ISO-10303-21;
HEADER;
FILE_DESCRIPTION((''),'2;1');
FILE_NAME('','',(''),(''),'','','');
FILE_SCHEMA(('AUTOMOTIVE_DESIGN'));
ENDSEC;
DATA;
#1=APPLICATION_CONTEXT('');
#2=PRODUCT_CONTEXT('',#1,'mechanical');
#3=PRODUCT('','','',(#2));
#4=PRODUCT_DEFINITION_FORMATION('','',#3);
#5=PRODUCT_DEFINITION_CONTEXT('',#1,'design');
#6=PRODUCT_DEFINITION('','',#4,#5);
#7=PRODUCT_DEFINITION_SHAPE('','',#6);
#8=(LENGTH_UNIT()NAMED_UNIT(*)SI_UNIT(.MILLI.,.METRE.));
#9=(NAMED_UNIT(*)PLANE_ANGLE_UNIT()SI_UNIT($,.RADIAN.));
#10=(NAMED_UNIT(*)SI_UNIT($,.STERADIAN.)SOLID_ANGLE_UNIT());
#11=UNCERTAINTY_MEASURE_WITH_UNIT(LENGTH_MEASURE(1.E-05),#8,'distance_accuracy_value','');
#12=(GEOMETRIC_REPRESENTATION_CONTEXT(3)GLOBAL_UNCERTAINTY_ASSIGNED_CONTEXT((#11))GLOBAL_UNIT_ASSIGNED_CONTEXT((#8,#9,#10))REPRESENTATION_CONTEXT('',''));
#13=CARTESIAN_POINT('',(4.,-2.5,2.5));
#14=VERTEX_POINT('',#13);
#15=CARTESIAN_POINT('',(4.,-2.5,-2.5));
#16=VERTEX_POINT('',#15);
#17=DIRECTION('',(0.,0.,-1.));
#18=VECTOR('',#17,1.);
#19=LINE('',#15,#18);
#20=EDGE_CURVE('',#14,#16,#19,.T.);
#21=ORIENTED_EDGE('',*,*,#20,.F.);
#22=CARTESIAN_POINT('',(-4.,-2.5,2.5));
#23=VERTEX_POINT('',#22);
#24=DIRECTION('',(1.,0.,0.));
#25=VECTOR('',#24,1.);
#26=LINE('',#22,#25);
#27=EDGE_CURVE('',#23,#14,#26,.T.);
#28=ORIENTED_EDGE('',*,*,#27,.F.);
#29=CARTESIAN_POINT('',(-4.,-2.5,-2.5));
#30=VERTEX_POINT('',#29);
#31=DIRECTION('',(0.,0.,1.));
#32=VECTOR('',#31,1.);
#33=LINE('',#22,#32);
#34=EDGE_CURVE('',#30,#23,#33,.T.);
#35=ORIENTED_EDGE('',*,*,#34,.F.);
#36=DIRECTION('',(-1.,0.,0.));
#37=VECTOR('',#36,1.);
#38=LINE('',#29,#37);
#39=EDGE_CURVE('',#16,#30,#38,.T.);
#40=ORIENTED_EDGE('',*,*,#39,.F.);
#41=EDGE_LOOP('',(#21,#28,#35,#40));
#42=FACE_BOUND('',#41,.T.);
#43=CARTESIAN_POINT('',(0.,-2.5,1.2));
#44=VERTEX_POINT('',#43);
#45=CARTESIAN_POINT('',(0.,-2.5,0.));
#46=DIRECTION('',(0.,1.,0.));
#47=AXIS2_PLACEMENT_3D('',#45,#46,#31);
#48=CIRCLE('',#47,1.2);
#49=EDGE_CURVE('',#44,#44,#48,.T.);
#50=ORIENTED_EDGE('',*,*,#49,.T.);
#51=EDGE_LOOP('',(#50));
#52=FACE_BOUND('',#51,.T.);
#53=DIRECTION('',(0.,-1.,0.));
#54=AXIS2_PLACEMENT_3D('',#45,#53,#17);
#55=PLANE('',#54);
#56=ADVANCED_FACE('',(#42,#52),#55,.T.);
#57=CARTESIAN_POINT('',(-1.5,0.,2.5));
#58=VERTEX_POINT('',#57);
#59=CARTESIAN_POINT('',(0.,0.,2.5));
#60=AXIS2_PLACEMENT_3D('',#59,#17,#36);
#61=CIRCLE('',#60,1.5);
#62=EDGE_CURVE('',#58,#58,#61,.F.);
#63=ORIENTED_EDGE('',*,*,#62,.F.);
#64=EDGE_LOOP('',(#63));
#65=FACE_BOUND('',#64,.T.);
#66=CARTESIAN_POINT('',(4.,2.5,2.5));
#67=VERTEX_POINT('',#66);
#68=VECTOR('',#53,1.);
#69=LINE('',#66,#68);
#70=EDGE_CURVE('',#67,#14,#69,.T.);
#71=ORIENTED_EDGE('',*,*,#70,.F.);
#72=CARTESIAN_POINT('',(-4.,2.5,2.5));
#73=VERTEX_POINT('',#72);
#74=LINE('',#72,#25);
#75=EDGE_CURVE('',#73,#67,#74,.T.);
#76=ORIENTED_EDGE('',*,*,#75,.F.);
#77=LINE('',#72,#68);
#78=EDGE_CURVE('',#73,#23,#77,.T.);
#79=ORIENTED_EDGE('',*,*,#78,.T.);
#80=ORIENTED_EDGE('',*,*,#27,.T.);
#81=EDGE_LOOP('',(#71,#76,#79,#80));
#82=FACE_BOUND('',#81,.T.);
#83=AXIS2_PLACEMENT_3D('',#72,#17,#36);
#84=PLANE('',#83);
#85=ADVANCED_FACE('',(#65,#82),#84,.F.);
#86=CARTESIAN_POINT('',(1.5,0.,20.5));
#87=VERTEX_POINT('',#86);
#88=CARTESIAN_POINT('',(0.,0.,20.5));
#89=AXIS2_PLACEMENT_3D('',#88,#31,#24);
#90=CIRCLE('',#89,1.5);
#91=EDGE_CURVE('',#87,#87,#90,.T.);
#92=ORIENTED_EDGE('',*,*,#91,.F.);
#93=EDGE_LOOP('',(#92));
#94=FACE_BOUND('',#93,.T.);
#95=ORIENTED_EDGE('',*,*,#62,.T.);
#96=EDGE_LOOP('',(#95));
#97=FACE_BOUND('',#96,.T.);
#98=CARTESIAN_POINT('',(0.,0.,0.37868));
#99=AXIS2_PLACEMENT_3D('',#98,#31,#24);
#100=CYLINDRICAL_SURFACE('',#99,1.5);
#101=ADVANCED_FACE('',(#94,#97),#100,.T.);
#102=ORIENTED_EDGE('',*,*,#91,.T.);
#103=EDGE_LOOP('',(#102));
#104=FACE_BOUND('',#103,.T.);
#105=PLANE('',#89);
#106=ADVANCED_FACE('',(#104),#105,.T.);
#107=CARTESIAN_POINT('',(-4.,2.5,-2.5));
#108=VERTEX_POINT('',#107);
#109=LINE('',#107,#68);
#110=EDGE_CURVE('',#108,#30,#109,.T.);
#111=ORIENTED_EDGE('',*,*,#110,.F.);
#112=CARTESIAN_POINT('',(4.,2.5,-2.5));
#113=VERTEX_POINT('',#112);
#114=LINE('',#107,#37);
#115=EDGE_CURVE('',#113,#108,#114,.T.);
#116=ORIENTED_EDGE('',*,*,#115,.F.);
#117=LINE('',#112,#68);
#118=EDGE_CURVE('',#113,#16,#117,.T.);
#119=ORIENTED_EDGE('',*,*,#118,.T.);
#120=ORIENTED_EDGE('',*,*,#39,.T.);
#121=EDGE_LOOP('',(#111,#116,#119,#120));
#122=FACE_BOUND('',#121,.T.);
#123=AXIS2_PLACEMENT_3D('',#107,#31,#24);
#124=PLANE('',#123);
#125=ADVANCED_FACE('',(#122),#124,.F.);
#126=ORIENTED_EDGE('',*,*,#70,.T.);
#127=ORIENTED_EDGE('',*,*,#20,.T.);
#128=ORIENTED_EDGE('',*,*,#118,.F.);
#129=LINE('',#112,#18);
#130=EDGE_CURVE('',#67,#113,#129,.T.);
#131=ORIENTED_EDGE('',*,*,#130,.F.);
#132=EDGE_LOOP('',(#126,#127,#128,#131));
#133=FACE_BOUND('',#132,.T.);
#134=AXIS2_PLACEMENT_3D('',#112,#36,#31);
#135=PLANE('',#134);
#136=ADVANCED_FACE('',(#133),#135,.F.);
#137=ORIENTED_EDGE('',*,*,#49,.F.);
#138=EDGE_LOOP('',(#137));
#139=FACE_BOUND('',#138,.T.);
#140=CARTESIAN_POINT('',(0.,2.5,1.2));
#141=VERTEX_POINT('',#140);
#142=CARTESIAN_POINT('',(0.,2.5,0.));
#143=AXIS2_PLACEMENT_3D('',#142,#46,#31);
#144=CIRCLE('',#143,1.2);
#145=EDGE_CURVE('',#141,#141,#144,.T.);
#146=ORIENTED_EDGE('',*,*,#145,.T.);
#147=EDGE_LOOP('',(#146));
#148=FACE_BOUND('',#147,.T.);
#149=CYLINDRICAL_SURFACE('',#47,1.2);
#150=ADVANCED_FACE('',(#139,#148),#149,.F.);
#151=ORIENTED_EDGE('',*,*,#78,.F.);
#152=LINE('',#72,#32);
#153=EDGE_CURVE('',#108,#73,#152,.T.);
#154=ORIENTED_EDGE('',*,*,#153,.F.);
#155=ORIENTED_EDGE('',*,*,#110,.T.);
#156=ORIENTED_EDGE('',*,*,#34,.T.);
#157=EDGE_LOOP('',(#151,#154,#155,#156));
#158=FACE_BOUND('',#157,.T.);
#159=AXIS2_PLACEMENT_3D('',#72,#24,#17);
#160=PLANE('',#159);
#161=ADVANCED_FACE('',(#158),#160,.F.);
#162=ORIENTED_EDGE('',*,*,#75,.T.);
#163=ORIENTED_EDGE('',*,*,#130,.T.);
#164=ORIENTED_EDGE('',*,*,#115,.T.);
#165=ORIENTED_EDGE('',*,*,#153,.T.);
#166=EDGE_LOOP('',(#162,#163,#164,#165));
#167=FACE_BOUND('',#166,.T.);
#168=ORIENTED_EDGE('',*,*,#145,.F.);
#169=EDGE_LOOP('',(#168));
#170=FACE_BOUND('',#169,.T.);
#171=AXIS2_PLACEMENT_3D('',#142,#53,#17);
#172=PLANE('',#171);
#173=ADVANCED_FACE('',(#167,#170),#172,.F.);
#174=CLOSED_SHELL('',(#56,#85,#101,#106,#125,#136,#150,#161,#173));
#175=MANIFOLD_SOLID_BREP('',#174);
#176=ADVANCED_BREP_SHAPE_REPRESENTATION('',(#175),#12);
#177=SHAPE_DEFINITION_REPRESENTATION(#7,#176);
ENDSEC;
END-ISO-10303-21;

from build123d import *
from build123d.topology import SkipClean

# Parameters (mm, degrees)
SKETCH1_W           = 8
SKETCH1_H           = 5
BOSS_EXTRUDE1_DEPTH = 2.5
SKETCH2_W           = 3
SKETCH2_H           = 3
BOSS_EXTRUDE2_DEPTH = 1.5
CUT_EXTRUDE2_DEPTH  = 3
SKETCH5_R           = 1.2
CUT_EXTRUDE3_DEPTH  = 9.440971508
BOSS_EXTRUDE3_START = 15
SKETCH6_R           = 1.5
BOSS_EXTRUDE3_DEPTH = 15


with BuildPart() as part:
    # Sketch1 → Boss-Extrude1 (new, symmetric)
    with BuildSketch(Plane(origin=(0, 0, 0), x_dir=(1, 0, 0), z_dir=(0, 1, 0))):
        Rectangle(SKETCH1_W, SKETCH1_H)
    extrude(amount=BOSS_EXTRUDE1_DEPTH, both=True)

    # Sketch2 → Boss-Extrude2 (add, symmetric)
    with BuildSketch(Plane(origin=(0, 0, 0), x_dir=(1, 0, 0), z_dir=(0, 1, 0))):
        with Locations((0, -4)):
            Rectangle(SKETCH2_W, SKETCH2_H)
    extrude(amount=BOSS_EXTRUDE2_DEPTH, both=True)

    # Sketch3 → Cut-Extrude2 (cut)
    with BuildSketch(Plane.XY.offset(5.5)):
        with BuildLine():
            Line((-1.5, 1.5), (-1.5, 0))
            ThreePointArc((-1.5, 0), (-1.060660172, 1.060660172), (0, 1.5))
            Line((0, 1.5), (-1.5, 1.5))
        make_face()
        with BuildLine():
            ThreePointArc((0, 1.5), (1.060660172, 1.060660172), (1.5, 0))
            Line((1.5, 0), (1.5, 1.5))
            Line((1.5, 1.5), (0, 1.5))
        make_face()
        with BuildLine():
            ThreePointArc((1.5, 0), (1.060660172, -1.060660172), (0, -1.5))
            Line((0, -1.5), (1.5, -1.5))
            Line((1.5, -1.5), (1.5, 0))
        make_face()
        with BuildLine():
            Line((-1.5, 0), (-1.5, -1.5))
            Line((-1.5, -1.5), (0, -1.5))
            ThreePointArc((0, -1.5), (-1.060660172, -1.060660172), (-1.5, 0))
        make_face()
    extrude(amount=-CUT_EXTRUDE2_DEPTH, mode=Mode.SUBTRACT)

    # Sketch5 → Cut-Extrude3 (cut, through all)
    with BuildSketch(Plane(origin=(0, 2.5, 0), x_dir=(1, 0, 0), z_dir=(0, 1, 0))):
        with Locations(Location((0, 0, 0), (0, 0, 270))):
            Circle(SKETCH5_R)
    extrude(amount=-CUT_EXTRUDE3_DEPTH, mode=Mode.SUBTRACT)

    # Sketch6 → Boss-Extrude3 (add)
    with SkipClean():  # the faces are left unmerged after this step: merging them gives an invalid solid
        with BuildSketch(Plane.XY.offset(5.5).offset(BOSS_EXTRUDE3_START)):
            Circle(SKETCH6_R)
        extrude(amount=-BOSS_EXTRUDE3_DEPTH)


solid = part.part
